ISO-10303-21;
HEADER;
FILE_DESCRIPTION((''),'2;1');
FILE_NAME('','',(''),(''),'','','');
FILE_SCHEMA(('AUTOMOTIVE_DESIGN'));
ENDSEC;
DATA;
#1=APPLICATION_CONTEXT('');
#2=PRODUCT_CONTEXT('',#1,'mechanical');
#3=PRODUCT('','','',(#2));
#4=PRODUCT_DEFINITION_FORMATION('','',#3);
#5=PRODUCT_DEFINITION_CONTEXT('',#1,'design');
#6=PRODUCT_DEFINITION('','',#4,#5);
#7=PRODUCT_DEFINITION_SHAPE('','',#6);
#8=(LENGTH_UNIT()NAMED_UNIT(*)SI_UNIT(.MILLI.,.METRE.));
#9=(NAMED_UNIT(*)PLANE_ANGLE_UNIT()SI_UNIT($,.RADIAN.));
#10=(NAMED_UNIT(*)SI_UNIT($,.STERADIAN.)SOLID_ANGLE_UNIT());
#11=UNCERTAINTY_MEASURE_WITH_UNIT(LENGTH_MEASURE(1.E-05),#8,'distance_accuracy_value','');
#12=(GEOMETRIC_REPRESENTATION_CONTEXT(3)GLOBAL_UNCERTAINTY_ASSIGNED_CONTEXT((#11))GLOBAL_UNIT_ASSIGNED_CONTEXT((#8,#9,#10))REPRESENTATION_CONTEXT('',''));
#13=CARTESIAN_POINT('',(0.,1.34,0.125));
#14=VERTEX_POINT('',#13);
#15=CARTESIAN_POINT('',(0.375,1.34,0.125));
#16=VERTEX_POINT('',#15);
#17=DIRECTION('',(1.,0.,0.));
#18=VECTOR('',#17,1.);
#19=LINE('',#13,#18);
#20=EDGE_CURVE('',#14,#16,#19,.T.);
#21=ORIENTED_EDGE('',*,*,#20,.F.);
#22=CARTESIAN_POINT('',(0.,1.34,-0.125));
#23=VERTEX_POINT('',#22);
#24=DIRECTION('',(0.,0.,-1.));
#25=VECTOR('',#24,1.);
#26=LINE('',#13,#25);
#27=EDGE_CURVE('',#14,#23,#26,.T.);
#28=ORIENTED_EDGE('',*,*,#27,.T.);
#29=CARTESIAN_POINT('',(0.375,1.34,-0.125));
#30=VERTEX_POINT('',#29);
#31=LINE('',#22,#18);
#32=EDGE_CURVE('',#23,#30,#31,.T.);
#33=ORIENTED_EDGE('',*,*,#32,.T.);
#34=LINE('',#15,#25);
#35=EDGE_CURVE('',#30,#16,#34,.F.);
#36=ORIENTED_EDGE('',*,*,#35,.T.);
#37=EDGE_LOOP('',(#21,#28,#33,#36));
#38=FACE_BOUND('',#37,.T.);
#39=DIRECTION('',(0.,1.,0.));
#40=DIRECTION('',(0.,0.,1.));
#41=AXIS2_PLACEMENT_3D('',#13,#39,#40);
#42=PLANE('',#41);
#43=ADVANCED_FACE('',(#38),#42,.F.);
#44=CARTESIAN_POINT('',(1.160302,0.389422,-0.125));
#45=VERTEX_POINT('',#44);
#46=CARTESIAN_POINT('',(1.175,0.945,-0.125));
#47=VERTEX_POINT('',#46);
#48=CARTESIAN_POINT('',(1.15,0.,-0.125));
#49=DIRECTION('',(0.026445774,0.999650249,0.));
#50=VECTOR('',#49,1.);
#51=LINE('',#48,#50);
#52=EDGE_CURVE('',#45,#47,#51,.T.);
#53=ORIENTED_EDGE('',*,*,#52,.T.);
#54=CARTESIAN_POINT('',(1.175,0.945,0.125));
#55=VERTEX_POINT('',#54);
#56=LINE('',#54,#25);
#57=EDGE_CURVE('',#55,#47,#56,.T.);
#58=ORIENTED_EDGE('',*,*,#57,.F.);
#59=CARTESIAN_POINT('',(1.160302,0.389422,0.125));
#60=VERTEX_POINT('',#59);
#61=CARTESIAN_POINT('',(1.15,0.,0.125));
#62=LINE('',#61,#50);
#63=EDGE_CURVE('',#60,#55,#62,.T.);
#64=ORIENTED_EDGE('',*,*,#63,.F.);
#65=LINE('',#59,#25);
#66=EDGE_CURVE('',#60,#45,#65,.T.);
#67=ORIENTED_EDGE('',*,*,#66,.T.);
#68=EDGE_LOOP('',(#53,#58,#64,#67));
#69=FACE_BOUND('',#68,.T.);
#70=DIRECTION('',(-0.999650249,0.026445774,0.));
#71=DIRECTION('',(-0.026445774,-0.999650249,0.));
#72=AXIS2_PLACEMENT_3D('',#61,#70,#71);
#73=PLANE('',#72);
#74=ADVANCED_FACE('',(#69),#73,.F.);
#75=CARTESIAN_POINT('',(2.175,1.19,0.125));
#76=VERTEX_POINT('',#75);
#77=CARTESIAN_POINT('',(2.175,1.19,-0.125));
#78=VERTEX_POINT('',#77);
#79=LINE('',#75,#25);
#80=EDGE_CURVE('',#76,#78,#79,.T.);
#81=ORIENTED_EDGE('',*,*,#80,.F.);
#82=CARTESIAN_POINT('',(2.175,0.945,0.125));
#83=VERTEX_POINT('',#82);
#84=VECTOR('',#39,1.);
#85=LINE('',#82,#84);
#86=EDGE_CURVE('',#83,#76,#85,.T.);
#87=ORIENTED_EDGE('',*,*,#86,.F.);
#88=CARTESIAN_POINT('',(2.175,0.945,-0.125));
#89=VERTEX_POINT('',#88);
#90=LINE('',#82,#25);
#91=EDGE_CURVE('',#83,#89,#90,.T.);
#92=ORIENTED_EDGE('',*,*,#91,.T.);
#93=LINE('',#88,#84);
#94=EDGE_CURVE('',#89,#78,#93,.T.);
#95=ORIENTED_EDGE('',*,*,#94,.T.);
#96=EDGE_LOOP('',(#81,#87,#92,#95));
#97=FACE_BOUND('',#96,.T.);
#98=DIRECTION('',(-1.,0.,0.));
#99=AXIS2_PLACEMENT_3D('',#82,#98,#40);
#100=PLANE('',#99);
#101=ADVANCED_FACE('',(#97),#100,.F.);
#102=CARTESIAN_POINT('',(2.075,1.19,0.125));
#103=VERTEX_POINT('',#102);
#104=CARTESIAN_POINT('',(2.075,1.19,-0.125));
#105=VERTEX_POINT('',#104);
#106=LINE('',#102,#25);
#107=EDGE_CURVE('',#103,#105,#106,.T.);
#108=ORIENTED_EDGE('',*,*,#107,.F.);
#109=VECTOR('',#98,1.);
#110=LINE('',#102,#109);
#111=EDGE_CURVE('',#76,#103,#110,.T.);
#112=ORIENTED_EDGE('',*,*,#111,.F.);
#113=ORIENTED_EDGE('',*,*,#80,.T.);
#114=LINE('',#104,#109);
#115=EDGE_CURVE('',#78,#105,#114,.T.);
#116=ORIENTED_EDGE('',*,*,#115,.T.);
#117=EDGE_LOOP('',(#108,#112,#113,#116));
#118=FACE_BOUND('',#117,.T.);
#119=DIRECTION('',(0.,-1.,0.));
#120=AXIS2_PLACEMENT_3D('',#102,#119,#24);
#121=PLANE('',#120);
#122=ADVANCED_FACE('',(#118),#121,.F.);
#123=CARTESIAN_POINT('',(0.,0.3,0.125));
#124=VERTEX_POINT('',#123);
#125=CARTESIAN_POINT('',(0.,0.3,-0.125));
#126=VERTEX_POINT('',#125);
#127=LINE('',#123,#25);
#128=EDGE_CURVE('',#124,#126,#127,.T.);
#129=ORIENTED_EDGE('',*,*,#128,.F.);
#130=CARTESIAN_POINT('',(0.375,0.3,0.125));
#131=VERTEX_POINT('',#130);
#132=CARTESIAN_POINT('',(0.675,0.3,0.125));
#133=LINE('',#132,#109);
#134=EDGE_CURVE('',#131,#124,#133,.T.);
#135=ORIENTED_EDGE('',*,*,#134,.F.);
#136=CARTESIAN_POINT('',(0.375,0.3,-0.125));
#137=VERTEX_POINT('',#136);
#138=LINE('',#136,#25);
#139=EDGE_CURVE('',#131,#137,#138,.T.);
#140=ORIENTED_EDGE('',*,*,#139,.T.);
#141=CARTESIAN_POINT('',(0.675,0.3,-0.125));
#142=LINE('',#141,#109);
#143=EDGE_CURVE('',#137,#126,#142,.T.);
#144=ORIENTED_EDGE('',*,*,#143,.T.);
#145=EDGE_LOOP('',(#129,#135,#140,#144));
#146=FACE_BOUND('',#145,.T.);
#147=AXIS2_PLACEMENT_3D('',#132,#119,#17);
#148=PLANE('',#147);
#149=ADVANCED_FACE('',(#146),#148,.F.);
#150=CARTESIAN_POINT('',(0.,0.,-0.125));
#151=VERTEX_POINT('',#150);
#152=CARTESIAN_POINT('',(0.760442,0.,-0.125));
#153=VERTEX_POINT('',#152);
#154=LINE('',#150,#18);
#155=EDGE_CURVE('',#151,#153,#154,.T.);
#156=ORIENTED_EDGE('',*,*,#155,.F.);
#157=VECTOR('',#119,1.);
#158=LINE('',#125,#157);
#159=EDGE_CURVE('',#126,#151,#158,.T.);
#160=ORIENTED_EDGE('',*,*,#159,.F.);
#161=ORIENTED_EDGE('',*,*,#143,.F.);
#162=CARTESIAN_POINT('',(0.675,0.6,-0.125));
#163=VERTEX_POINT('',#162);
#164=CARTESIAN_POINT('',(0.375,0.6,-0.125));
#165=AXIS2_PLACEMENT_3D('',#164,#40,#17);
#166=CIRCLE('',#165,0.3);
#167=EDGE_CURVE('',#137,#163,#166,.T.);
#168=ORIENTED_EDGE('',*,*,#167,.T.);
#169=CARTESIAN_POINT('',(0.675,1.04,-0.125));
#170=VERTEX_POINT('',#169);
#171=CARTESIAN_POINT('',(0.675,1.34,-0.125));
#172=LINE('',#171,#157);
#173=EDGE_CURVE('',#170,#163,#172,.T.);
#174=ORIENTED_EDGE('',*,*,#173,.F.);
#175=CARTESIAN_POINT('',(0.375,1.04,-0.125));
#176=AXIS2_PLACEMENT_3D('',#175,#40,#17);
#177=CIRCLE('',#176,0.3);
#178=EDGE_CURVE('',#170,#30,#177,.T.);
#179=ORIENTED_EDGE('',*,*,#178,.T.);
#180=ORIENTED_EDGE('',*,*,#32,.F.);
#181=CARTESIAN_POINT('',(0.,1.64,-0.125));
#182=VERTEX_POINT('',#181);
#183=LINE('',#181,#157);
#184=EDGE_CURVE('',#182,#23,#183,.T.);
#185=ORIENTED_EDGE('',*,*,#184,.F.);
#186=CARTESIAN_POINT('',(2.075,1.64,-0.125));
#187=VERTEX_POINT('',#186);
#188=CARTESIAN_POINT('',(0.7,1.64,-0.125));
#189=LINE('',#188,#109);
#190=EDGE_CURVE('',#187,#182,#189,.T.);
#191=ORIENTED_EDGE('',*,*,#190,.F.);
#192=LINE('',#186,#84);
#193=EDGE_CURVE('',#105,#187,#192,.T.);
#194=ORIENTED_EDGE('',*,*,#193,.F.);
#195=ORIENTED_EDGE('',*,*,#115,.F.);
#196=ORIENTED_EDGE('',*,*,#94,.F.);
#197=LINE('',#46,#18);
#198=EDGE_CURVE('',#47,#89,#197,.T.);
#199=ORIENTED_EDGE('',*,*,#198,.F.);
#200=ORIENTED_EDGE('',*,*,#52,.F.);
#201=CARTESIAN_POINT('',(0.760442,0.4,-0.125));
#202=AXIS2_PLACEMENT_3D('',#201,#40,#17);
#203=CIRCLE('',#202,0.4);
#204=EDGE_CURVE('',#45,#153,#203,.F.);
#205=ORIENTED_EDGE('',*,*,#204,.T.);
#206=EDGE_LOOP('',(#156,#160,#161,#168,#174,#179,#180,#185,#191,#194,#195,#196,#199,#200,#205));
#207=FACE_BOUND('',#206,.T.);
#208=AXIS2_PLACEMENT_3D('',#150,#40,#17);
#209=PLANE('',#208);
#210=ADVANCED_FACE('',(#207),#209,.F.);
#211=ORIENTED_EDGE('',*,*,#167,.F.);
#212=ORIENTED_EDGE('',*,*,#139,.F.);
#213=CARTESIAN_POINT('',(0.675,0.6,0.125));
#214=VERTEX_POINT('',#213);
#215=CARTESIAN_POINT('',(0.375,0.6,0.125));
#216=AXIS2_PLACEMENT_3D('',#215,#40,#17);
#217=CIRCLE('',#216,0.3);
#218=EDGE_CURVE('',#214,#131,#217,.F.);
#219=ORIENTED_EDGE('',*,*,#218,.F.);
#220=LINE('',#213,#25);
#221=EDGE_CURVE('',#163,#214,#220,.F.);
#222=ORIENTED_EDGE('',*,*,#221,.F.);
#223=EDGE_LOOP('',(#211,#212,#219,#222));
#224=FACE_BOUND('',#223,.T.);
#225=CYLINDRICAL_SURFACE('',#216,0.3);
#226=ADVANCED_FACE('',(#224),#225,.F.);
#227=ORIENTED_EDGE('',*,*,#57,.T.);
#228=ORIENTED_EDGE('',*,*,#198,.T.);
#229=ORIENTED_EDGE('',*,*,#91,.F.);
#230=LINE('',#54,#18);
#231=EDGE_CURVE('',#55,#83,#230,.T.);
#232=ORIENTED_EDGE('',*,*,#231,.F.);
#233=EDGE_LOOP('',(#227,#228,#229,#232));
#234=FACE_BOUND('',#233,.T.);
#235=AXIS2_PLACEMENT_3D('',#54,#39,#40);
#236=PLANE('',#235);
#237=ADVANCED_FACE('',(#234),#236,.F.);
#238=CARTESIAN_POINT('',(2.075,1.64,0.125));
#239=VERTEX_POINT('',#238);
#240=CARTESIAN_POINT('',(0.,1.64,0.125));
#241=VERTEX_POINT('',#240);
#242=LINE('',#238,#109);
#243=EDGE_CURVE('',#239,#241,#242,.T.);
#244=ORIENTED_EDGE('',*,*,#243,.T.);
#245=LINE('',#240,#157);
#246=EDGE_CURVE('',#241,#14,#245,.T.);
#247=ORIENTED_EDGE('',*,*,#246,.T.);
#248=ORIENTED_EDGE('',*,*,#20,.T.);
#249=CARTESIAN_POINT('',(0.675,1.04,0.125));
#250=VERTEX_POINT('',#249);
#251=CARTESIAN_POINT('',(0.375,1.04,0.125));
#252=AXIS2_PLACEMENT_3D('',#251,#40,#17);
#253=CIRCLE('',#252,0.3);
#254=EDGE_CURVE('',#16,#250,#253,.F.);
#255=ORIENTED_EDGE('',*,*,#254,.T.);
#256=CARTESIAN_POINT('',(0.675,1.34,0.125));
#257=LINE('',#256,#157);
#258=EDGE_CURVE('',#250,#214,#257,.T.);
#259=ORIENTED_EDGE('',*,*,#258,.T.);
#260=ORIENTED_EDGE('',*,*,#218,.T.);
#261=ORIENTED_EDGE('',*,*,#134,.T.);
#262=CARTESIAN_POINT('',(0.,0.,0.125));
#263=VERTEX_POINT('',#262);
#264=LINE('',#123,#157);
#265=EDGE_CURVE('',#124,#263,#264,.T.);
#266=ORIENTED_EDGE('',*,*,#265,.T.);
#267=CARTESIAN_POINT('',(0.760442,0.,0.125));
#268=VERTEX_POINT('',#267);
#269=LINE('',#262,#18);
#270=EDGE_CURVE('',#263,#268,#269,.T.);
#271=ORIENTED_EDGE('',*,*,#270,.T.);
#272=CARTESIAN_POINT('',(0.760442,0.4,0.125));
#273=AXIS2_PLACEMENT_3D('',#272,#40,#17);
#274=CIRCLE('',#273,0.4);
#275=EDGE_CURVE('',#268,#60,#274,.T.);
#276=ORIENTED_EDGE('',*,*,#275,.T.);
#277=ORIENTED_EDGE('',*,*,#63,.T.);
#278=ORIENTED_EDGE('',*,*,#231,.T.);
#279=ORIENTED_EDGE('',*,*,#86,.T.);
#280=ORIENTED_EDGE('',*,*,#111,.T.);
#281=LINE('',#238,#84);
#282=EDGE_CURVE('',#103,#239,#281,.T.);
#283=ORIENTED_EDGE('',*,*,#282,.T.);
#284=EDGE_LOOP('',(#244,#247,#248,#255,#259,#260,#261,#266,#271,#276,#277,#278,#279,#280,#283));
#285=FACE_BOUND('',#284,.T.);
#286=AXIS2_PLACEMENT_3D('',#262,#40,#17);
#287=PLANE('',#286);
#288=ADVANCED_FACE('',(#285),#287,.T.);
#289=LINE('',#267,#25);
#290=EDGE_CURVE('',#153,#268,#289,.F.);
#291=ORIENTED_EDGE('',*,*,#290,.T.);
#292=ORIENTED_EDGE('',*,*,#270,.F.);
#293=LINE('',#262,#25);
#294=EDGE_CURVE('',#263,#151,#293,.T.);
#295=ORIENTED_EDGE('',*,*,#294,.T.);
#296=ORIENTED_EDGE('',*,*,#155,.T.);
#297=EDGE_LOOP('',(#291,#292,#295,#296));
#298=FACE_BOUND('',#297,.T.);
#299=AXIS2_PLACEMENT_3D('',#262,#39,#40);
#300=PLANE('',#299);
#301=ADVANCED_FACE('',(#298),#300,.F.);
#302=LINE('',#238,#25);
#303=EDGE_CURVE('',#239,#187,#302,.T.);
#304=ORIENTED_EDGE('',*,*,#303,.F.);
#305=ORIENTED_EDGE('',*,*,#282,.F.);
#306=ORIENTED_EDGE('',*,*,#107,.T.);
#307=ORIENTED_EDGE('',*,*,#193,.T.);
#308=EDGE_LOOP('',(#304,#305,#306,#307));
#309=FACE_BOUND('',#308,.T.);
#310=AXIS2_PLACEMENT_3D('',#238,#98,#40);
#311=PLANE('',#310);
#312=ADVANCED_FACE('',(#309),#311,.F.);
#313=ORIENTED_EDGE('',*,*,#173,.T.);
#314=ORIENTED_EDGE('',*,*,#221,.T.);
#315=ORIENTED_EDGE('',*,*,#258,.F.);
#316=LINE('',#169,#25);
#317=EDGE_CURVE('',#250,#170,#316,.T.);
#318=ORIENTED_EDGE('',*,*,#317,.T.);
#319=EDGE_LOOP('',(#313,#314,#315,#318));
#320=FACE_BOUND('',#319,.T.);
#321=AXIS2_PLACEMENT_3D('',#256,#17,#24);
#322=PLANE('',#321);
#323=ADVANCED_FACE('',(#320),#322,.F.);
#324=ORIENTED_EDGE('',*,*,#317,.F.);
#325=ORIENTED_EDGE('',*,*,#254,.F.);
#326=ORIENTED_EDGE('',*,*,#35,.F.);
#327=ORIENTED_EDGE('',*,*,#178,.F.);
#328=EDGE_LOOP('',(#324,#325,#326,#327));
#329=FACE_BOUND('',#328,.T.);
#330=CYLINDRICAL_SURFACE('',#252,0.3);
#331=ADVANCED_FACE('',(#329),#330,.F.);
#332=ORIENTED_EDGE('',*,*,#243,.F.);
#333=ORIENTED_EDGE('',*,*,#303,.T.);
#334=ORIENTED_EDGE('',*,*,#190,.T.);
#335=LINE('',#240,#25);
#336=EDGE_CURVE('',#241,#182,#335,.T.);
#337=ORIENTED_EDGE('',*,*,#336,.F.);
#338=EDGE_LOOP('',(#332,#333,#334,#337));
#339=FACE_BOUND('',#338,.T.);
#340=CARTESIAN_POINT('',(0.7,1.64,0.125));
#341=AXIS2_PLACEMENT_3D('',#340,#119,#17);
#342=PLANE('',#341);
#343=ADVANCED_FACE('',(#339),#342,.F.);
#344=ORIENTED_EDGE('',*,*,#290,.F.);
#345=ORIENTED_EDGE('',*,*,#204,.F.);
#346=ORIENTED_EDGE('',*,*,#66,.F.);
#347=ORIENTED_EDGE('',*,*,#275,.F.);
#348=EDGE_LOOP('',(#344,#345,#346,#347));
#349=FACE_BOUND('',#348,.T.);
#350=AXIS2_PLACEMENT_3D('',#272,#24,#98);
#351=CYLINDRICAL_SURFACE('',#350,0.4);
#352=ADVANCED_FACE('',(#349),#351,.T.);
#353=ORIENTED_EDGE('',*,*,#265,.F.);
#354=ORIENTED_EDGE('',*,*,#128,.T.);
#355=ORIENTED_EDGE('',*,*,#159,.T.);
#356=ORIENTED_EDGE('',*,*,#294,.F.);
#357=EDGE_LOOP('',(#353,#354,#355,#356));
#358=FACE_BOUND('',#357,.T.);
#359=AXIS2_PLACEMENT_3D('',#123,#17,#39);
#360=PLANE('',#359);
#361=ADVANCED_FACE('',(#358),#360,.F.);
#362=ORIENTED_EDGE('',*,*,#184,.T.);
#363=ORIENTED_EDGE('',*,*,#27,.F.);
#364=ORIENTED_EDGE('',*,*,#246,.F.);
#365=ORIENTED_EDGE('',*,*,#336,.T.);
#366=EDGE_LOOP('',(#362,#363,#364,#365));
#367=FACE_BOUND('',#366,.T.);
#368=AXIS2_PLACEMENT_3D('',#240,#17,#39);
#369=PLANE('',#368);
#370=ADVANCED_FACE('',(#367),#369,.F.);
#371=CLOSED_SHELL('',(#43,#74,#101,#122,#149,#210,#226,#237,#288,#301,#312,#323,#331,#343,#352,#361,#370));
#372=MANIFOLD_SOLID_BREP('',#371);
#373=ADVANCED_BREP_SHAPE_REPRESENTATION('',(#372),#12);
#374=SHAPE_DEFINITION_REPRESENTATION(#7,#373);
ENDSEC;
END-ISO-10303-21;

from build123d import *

# Parameters (mm, degrees)
BOSS_EXTRUDE1_DEPTH = 0.125
FILLET1_R           = 0.3
FILLET2_R           = 0.4


with BuildPart() as part:
    # frame_outline → Boss-Extrude1 (new, symmetric)
    with BuildSketch(Plane.XY):
        Polygon((0, 1.64), (0, 1.34), (0.675, 1.34), (0.675, 0.3), (0, 0.3), (0, 0), (1.15, 0), (1.175, 0.945), (2.175, 0.945), (2.175, 1.19), (2.075, 1.19), (2.075, 1.64), (0.7, 1.64), align=None)
    extrude(amount=BOSS_EXTRUDE1_DEPTH, both=True)

    # Fillet1
    fillet1_edges = [part.edges().sort_by_distance(p)[0] for p in [
        (0.675, 0.3, 0),
        (0.675, 1.34, 0),
    ]]
    fillet(fillet1_edges, radius=FILLET1_R)

    # Fillet2
    fillet2_edges = [part.edges().sort_by_distance(p)[0] for p in [
        (1.15, 0, 0),
    ]]
    fillet(fillet2_edges, radius=FILLET2_R)


solid = part.part
